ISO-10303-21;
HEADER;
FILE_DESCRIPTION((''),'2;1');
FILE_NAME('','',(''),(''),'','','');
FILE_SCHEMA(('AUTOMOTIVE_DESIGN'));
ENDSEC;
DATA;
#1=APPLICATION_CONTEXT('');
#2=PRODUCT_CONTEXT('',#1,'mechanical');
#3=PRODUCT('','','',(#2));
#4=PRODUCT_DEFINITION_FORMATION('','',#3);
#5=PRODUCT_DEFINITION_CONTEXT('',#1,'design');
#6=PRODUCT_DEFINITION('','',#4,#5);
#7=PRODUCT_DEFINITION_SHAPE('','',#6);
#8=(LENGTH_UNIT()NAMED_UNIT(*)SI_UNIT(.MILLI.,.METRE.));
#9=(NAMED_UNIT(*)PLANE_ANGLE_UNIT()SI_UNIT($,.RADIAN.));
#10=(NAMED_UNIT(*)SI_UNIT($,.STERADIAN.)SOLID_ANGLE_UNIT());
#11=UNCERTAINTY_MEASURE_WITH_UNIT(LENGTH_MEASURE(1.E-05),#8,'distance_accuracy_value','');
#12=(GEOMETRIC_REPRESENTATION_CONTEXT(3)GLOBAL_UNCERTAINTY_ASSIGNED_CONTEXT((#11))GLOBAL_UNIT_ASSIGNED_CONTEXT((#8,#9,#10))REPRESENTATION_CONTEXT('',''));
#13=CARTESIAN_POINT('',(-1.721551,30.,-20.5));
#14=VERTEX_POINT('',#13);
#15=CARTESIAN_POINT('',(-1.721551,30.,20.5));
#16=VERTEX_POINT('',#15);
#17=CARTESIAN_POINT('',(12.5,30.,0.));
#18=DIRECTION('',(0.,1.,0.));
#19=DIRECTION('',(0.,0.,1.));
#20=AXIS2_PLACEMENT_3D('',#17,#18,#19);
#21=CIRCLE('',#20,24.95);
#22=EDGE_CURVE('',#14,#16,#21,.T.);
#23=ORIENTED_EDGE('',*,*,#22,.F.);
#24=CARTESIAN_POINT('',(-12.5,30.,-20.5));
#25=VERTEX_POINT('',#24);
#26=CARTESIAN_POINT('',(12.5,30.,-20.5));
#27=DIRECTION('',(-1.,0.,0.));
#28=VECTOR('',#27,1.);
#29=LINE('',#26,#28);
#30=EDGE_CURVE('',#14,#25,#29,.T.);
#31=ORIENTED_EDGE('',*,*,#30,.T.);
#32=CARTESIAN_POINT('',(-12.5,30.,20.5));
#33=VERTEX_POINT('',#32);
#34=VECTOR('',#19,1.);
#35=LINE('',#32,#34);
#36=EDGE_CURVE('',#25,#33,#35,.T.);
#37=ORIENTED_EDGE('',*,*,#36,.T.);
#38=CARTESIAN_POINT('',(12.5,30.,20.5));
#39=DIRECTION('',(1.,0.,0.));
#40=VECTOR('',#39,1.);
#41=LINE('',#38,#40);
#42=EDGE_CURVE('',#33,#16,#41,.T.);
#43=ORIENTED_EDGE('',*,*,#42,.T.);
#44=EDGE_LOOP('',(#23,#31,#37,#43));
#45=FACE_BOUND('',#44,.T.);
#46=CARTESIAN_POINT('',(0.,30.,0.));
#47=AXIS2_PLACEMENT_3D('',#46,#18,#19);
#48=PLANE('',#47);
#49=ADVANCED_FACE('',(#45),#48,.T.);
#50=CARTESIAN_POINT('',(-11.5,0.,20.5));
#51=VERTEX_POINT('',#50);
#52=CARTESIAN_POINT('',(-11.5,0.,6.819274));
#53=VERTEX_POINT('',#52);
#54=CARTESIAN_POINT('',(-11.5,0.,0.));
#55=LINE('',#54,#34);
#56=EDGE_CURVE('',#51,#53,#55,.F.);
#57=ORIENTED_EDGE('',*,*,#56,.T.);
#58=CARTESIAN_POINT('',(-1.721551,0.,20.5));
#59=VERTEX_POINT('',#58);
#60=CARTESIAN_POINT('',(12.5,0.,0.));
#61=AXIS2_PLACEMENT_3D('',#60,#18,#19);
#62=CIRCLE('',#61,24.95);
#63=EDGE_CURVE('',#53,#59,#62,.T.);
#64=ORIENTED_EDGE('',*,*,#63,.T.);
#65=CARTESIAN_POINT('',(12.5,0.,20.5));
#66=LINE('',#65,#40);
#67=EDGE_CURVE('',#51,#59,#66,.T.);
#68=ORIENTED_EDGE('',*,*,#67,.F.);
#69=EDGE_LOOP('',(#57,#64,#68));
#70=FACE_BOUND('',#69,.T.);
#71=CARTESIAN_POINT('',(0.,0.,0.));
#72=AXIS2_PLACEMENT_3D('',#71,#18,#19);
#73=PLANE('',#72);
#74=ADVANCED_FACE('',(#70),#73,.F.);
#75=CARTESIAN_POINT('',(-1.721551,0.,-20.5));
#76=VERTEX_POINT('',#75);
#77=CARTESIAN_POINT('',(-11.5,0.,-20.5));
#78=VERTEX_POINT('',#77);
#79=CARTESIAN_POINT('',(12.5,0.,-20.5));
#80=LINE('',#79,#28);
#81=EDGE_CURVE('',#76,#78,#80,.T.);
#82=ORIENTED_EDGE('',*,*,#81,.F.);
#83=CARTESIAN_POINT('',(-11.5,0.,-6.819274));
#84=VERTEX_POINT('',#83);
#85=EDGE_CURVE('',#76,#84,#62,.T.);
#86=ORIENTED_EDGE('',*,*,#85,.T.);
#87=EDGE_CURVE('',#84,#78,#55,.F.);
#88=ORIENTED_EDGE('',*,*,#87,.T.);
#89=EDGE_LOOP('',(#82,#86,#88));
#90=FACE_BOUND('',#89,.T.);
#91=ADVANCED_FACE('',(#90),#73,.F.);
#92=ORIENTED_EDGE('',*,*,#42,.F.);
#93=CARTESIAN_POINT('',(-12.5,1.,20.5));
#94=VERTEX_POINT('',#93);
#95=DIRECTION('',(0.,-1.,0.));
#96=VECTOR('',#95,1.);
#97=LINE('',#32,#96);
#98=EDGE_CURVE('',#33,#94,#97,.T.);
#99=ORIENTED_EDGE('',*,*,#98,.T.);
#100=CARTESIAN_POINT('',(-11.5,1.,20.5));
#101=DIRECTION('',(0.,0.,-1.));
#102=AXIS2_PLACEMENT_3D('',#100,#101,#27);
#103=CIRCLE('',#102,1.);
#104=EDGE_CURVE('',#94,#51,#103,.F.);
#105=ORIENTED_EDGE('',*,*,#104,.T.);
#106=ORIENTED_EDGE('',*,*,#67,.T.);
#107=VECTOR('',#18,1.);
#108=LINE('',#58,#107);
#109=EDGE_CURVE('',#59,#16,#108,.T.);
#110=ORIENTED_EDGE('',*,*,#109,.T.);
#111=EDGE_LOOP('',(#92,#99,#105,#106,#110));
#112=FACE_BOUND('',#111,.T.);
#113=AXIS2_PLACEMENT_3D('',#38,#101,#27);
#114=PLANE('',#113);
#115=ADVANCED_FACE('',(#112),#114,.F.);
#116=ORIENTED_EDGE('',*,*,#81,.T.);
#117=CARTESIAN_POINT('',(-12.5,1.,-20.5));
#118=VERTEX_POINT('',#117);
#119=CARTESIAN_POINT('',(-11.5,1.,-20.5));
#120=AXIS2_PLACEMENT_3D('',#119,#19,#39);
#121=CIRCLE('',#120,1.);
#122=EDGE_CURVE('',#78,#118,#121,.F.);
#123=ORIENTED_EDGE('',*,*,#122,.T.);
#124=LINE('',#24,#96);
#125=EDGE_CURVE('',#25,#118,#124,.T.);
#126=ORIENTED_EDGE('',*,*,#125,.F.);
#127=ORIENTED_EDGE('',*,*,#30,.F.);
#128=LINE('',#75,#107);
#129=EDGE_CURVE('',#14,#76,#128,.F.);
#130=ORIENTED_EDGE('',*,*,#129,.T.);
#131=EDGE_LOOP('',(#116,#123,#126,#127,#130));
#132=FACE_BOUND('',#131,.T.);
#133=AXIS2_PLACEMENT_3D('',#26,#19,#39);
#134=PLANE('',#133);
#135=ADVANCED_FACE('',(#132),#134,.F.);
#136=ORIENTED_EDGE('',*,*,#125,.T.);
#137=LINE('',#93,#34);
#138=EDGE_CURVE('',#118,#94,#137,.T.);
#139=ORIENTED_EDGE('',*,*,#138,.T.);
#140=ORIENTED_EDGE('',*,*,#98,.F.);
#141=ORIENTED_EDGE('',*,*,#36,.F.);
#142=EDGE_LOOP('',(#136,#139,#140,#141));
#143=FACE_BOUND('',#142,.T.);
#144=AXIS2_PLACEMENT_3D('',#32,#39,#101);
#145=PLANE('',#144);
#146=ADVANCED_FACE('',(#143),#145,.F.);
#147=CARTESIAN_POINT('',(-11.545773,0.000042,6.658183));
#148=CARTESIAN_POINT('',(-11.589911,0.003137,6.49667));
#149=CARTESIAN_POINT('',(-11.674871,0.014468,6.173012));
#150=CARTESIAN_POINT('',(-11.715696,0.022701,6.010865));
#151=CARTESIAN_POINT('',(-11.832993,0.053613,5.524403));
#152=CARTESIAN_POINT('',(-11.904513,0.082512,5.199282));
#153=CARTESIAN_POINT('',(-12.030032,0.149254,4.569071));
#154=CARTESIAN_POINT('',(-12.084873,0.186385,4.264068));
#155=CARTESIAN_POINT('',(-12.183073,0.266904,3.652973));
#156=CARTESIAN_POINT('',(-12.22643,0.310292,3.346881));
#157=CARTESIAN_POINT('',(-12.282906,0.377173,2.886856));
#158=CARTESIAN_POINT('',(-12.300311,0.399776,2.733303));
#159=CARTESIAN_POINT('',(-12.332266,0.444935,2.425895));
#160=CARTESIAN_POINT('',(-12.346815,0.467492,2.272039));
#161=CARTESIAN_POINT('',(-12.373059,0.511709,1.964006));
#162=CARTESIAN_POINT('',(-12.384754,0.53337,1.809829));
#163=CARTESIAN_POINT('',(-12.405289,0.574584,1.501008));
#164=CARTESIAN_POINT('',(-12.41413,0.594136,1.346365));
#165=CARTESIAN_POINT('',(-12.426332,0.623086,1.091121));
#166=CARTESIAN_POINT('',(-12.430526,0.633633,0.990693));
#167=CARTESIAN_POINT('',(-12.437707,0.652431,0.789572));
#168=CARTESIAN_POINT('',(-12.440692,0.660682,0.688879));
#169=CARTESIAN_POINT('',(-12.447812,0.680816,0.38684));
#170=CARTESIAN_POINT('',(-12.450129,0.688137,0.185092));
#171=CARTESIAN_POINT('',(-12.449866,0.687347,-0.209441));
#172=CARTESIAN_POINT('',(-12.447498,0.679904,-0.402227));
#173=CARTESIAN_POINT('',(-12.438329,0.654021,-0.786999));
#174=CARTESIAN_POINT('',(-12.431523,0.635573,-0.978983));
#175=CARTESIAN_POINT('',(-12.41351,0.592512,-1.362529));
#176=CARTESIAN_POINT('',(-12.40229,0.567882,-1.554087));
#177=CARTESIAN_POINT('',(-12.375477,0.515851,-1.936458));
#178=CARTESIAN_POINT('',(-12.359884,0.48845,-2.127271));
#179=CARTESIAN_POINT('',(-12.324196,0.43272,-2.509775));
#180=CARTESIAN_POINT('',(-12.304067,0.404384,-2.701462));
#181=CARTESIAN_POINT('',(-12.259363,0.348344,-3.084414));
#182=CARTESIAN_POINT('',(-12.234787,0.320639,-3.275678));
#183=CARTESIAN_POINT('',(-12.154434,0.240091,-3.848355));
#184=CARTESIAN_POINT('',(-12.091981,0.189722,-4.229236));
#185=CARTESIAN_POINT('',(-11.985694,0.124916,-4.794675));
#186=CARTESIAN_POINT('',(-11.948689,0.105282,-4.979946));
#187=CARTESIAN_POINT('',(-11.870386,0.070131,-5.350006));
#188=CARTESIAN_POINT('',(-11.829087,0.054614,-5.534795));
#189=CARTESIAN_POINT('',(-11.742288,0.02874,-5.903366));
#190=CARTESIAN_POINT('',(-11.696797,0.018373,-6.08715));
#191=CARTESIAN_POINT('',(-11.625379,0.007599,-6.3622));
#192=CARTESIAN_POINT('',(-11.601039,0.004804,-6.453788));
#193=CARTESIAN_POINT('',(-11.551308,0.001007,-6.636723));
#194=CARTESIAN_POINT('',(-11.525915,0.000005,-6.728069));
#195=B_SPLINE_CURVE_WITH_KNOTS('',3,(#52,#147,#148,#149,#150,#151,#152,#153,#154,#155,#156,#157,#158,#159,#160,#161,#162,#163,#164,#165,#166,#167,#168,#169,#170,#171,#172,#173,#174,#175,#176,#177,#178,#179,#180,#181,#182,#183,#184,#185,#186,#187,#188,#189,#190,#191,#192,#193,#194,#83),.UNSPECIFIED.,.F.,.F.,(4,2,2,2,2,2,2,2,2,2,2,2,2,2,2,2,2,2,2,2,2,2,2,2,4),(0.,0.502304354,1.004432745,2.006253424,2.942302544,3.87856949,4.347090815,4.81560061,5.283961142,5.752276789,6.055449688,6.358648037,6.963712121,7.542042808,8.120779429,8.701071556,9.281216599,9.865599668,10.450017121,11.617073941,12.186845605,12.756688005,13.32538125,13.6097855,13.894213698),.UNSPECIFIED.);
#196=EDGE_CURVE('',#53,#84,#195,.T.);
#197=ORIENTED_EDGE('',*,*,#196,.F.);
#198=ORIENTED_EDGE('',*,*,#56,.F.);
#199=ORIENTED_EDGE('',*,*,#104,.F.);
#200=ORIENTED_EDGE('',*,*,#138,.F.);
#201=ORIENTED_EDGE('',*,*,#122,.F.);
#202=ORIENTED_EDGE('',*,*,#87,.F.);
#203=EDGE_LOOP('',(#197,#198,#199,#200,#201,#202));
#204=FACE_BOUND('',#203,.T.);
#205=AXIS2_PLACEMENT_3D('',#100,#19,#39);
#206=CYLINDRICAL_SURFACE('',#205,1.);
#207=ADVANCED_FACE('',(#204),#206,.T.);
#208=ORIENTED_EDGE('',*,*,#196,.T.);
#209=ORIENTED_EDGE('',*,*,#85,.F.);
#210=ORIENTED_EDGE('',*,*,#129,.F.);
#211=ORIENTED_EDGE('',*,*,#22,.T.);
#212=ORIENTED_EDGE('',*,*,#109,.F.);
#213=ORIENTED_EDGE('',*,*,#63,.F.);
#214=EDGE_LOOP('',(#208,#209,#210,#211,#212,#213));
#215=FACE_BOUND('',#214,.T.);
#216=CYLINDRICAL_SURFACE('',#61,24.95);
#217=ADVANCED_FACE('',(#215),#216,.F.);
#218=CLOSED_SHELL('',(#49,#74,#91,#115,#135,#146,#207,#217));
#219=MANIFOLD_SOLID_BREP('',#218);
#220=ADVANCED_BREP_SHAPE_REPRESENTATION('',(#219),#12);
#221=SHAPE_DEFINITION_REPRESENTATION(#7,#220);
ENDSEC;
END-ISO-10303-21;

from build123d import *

# Parameters (mm, degrees)
SKETCH_1_W          = 25
SKETCH_1_H          = 41
EXTRUDE_1_DEPTH     = 30
FILLET_1_R          = 1
SKETCH_2_R          = 24.95
CUT_EXTRUDE_1_DEPTH = 30


with BuildPart() as part:
    # Эскиз1 → Бобышка-Вытянуть1 (new body)
    with BuildSketch(Plane(origin=(0, 0, 0), x_dir=(1, 0, 0), z_dir=(0, 1, 0))):
        Rectangle(SKETCH_1_W, SKETCH_1_H)
    extrude(amount=EXTRUDE_1_DEPTH)

    # Скругление1
    fillet_1_edges = [part.edges().sort_by_distance(p)[0] for p in [
        (-12.5, 0, 0),
    ]]
    fillet(fillet_1_edges, radius=FILLET_1_R)

    # Эскиз2 → Вырез-Вытянуть1 (cut)
    with BuildSketch(Plane(origin=(0, 30, 0), x_dir=(1, 0, 0), z_dir=(0, 1, 0))):
        with Locations((12.5, 0)):
            Circle(SKETCH_2_R)
    extrude(amount=-CUT_EXTRUDE_1_DEPTH, mode=Mode.SUBTRACT)


solid = part.part
